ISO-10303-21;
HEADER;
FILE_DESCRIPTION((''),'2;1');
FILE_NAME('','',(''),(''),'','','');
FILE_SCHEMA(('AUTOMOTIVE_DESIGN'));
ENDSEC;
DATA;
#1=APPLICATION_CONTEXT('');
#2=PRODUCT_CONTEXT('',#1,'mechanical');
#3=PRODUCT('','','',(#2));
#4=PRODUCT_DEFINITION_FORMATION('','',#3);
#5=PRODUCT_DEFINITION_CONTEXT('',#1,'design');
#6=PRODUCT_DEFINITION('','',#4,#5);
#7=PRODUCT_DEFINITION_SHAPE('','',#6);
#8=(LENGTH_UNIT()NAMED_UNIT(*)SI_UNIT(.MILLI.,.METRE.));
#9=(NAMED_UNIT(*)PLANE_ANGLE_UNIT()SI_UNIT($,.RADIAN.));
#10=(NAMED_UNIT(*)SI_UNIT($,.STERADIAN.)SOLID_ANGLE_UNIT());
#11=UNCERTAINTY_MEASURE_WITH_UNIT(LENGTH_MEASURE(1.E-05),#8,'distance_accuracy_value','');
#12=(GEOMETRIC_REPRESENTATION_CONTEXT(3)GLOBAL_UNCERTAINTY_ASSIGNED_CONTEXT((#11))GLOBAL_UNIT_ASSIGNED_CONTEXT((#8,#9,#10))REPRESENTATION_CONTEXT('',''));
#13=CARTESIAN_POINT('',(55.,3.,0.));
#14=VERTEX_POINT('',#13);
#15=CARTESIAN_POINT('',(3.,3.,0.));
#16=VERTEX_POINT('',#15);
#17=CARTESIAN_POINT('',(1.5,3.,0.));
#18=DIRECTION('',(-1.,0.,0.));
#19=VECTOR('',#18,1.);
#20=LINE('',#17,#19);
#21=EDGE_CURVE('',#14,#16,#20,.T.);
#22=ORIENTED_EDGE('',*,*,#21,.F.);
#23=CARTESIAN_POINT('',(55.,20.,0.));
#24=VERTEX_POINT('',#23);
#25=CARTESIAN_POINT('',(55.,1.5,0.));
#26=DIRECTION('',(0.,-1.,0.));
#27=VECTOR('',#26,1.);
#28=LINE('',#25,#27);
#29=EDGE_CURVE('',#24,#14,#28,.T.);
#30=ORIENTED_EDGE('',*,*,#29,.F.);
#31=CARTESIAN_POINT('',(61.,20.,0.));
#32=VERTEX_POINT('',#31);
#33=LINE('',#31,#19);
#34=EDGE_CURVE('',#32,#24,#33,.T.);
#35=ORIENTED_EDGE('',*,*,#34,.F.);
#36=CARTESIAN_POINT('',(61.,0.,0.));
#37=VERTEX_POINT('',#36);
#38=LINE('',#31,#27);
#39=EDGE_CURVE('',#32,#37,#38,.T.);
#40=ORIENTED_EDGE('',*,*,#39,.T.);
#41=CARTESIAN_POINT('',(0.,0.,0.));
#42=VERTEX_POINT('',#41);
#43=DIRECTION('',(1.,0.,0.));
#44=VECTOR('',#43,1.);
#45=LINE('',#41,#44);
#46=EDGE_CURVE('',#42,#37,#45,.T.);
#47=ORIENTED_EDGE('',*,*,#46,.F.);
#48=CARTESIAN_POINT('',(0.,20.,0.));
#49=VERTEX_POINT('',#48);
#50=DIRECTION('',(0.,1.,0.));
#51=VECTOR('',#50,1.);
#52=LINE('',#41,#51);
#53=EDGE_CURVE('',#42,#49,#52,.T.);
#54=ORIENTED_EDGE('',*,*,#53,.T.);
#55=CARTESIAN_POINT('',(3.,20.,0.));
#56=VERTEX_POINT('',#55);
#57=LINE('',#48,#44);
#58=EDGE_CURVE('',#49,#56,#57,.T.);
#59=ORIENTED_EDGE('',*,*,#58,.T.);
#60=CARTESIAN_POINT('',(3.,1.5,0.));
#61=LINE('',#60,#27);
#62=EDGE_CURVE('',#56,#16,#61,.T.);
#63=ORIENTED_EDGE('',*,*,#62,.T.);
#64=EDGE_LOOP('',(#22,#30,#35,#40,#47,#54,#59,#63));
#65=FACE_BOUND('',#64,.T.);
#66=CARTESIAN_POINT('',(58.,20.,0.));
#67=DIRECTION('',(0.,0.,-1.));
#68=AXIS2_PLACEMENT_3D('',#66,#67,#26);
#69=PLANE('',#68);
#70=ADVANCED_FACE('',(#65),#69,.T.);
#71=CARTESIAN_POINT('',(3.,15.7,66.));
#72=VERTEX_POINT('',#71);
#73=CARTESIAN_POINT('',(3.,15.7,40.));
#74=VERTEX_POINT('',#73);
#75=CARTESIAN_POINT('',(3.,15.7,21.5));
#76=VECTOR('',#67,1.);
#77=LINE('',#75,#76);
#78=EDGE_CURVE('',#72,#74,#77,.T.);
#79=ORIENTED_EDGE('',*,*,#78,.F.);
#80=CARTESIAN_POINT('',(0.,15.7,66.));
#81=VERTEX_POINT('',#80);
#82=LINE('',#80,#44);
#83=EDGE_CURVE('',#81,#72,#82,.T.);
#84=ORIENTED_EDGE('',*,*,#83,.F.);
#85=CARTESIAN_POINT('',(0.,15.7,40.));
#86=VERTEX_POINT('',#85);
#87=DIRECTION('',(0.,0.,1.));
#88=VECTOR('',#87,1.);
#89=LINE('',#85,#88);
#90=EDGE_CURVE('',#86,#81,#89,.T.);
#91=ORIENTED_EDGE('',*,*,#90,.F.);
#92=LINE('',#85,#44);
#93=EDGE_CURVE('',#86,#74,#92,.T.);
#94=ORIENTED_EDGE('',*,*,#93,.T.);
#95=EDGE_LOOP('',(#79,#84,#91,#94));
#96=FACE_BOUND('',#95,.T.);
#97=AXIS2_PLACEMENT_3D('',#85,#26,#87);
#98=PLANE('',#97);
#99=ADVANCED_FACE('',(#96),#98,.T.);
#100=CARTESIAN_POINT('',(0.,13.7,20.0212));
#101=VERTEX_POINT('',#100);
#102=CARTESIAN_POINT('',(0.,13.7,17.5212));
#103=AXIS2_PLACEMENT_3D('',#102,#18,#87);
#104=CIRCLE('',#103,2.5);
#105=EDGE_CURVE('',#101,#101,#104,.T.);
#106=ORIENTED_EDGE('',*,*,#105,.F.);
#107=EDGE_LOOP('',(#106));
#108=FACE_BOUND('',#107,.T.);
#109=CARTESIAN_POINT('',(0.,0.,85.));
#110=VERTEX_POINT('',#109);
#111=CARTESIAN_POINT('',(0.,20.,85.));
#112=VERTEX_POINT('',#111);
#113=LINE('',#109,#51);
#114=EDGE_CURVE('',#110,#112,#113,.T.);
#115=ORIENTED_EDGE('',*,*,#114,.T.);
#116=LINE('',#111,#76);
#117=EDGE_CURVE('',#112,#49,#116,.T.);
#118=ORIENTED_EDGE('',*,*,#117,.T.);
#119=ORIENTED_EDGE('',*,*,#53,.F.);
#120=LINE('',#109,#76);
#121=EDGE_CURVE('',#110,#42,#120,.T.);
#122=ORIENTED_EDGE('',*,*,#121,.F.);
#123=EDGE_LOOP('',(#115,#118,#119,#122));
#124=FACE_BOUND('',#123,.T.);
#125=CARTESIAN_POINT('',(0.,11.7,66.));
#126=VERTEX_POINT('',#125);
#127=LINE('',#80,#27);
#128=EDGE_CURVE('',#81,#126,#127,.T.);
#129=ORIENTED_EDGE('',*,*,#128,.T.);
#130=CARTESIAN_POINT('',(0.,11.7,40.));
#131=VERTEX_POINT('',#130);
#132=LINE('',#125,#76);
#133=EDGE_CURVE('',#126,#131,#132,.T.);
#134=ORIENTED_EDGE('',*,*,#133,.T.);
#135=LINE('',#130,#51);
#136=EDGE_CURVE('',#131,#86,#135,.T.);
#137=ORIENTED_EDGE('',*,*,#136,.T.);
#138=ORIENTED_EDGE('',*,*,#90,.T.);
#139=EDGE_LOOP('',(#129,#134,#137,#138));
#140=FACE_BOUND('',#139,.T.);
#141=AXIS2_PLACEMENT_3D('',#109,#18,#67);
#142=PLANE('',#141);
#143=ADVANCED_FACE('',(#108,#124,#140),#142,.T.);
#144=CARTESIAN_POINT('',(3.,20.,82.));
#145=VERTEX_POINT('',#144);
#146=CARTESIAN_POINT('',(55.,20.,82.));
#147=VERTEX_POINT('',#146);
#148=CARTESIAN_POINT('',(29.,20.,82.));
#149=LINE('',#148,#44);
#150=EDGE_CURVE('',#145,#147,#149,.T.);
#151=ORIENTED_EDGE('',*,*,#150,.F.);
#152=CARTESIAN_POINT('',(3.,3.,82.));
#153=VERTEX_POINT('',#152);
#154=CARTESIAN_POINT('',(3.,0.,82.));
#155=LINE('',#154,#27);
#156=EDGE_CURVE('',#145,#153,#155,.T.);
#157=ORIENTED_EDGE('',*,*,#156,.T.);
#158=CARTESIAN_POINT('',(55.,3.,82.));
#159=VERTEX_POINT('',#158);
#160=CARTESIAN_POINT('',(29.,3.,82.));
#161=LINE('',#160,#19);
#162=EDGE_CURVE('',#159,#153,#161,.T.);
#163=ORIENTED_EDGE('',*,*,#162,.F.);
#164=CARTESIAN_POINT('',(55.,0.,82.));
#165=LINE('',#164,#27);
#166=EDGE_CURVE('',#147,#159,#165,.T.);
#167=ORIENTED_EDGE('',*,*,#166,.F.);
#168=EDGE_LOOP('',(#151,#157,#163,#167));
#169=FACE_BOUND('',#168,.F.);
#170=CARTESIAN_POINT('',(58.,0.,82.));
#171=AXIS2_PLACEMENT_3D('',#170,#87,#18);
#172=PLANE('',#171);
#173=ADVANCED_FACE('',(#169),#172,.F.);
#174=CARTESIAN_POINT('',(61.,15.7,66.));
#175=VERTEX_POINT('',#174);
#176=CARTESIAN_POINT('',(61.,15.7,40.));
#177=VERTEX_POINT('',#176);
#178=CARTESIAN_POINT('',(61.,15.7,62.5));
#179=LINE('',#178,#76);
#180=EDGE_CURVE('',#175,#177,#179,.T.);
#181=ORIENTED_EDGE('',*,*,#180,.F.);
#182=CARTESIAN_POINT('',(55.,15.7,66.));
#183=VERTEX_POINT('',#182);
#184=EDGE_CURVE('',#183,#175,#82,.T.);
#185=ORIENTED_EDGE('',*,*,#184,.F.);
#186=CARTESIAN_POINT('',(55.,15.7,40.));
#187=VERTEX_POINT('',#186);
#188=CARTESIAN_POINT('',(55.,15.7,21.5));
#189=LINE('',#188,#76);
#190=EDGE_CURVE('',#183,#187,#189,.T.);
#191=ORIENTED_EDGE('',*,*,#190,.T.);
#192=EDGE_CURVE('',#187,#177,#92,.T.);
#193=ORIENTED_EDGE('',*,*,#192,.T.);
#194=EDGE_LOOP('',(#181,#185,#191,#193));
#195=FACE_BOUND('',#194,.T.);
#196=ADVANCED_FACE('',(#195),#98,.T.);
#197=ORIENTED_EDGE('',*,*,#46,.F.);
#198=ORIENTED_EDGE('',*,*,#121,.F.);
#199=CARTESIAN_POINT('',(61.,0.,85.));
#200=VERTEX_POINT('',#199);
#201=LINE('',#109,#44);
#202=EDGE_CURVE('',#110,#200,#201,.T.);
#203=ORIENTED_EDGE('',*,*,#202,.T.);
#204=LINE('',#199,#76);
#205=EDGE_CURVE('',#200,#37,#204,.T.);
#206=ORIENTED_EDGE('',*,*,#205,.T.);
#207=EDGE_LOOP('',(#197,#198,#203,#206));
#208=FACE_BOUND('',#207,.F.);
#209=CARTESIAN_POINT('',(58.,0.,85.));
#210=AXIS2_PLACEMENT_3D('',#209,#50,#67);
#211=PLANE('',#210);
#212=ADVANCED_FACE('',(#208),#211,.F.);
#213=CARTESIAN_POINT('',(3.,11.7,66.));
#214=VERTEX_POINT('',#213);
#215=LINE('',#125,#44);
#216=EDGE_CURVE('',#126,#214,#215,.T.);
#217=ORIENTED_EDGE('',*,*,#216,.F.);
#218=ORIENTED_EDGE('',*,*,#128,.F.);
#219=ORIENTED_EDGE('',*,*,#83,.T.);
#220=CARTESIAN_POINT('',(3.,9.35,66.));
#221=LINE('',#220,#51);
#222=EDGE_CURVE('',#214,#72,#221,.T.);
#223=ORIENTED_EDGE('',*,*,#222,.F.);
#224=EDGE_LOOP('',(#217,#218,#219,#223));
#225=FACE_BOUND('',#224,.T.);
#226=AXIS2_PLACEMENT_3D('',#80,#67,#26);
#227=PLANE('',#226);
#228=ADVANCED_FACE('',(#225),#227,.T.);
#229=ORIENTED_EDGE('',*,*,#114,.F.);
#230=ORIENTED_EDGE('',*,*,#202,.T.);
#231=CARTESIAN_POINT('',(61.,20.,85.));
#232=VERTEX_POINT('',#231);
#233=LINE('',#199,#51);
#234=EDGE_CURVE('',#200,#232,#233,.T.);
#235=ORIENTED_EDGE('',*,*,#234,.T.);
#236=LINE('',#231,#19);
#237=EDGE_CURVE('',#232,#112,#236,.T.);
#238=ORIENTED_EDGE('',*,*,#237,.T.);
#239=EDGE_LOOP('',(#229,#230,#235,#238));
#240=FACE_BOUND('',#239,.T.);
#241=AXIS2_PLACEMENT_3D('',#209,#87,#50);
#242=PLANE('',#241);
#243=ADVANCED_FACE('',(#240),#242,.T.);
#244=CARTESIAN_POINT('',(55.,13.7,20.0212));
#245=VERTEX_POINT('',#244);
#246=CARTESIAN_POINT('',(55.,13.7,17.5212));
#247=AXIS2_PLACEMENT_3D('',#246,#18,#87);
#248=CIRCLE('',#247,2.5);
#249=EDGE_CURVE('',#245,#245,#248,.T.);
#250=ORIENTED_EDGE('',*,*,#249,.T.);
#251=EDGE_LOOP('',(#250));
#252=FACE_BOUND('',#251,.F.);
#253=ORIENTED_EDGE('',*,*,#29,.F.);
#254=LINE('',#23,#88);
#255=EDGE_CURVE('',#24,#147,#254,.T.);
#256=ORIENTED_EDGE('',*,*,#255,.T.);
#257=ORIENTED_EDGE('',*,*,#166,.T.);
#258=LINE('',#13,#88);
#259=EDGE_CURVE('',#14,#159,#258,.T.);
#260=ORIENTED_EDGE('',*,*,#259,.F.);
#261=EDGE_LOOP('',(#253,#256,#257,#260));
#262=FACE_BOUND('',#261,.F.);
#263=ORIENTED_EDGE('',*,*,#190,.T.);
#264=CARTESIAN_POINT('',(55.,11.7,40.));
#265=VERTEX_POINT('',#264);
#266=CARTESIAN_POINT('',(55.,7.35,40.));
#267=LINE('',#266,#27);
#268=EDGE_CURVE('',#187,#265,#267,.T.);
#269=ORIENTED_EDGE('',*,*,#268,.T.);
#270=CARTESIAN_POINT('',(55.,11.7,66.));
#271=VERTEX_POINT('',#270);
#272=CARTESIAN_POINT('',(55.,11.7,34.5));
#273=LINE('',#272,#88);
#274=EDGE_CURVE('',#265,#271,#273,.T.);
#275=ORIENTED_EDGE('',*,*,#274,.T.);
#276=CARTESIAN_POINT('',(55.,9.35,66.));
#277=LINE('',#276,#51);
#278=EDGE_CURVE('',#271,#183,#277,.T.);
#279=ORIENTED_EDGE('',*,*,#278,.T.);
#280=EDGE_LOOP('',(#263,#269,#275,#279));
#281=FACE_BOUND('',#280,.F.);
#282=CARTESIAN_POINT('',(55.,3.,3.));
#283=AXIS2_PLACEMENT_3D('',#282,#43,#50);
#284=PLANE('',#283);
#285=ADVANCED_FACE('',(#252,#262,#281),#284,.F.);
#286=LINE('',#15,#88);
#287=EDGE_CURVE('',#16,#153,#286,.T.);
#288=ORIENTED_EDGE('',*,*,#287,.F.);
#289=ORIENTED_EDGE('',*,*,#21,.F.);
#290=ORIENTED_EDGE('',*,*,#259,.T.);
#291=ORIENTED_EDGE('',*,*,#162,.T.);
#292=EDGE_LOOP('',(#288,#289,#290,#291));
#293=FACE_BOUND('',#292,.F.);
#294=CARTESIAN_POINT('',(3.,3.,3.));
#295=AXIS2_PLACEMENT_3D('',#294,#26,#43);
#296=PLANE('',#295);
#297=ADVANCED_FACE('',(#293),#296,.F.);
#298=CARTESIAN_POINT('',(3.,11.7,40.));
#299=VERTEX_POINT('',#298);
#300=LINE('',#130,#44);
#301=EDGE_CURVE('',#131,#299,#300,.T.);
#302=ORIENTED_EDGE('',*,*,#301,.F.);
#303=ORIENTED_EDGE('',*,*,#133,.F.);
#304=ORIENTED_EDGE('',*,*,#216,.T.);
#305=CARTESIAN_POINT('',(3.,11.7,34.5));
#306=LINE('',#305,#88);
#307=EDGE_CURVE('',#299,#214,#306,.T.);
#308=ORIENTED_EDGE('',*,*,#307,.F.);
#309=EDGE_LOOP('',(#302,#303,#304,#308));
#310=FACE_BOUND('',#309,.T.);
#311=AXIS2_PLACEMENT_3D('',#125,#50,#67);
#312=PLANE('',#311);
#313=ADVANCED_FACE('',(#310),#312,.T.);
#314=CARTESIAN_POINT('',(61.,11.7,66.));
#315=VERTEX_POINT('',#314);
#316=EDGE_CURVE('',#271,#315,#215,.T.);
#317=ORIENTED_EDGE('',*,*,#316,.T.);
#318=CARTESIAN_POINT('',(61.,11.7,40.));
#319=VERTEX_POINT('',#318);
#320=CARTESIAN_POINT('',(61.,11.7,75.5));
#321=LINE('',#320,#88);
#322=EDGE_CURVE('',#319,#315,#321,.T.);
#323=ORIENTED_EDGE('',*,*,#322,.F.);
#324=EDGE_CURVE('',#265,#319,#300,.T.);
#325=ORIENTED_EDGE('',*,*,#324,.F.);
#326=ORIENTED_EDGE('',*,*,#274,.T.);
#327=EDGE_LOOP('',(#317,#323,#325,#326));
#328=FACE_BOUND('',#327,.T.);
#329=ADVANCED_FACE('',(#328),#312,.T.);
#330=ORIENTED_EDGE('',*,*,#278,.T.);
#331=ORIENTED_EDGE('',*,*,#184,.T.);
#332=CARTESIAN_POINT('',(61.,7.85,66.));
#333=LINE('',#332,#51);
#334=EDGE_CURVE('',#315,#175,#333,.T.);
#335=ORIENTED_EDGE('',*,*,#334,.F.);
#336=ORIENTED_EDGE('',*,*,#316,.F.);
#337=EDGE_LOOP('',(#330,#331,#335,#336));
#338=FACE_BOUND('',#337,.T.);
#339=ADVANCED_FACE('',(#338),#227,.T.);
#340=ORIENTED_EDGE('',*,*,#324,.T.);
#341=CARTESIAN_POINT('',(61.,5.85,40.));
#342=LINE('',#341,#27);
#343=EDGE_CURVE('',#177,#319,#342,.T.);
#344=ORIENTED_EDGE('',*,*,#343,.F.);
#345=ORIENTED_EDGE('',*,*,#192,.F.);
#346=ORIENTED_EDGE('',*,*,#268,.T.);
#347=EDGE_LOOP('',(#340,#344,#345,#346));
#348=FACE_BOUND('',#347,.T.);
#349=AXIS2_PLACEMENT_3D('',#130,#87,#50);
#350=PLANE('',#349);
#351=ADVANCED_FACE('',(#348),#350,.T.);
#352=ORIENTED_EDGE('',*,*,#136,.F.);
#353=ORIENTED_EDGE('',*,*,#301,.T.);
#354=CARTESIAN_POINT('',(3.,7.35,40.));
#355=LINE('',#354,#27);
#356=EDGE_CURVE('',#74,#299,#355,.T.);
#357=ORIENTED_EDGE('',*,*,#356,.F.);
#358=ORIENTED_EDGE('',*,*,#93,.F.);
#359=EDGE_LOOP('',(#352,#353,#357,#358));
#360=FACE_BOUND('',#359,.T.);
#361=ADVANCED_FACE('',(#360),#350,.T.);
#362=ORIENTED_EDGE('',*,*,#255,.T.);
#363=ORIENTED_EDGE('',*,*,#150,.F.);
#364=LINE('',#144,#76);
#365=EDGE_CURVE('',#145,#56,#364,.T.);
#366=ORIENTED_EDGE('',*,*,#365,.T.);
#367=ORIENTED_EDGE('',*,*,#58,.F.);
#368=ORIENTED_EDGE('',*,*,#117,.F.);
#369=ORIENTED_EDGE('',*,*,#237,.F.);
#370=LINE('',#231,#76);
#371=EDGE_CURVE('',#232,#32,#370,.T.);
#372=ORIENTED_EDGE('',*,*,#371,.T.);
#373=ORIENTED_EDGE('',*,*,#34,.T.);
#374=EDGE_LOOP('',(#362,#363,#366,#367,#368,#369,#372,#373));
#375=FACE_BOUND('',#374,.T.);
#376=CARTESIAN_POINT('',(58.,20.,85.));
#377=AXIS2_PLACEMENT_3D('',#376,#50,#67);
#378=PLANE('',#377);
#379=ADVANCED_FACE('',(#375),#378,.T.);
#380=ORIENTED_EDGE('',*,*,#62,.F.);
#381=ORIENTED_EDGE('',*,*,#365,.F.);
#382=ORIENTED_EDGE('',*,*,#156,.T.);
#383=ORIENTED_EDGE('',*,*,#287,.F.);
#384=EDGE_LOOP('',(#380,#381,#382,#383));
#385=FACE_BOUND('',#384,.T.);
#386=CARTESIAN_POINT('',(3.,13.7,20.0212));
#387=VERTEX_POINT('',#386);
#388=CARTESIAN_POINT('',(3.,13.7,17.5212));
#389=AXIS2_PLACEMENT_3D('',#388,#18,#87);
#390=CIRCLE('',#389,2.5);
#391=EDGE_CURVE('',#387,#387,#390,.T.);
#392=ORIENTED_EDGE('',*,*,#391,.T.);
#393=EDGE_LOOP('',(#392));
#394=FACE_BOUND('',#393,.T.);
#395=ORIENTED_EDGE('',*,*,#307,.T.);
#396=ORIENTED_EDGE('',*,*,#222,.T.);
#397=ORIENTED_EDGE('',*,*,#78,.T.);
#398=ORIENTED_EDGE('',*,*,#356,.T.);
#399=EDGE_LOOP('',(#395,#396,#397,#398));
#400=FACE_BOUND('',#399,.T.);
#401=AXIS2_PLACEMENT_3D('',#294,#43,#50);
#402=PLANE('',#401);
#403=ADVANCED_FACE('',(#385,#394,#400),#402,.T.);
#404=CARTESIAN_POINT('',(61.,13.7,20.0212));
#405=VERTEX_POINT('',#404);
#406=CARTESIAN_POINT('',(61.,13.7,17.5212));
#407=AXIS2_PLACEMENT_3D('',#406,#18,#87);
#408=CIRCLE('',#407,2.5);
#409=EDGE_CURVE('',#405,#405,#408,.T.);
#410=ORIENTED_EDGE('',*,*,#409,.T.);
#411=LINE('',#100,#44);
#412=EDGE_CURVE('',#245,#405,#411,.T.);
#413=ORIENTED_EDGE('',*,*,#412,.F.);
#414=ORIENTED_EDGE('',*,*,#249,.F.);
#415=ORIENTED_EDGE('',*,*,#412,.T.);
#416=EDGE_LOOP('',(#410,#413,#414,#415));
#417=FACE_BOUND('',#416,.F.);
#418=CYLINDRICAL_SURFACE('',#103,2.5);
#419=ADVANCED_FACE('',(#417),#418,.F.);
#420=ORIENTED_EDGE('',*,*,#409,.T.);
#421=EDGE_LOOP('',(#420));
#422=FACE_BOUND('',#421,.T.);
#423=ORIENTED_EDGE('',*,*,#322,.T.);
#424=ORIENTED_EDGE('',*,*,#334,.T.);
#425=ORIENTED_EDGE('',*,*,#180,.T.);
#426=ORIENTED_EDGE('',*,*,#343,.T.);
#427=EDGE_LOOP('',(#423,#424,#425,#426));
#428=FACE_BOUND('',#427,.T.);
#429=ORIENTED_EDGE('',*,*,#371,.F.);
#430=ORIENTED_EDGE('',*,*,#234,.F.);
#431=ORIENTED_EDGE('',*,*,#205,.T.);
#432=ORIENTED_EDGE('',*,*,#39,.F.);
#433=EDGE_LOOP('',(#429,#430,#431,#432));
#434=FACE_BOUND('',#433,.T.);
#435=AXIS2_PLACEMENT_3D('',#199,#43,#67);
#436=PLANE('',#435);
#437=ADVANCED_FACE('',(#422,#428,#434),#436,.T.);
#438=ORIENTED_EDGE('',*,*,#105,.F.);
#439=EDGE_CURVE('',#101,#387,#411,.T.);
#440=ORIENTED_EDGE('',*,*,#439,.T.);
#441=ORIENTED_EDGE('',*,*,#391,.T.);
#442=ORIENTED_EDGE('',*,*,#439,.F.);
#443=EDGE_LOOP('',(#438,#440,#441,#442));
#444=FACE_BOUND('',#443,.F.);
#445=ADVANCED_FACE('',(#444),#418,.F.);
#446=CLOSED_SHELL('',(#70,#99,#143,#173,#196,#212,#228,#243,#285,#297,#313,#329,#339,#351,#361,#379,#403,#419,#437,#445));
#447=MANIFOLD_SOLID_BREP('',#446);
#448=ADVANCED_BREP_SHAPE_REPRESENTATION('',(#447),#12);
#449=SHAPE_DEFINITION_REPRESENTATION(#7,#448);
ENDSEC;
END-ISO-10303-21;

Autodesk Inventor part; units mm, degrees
ref_plane "YZ Plane" through (0, 0, 0) normal (1, 0, 0) x (0, 1, 0)
ref_plane "XZ Plane" through (0, 0, 0) normal (0, 1, 0) x (-1, 0, 0)
ref_plane "XY Plane" through (0, 0, 0) normal (0, 0, 1) x (1, 0, 0)
sketch "Sketch2" plane through (0, 0, 0) normal (0, 1, 0) x (-1, 0, 0)
  line L0 (0, 0) -> (-58, 0)
  line L1 (-58, 0) -> (-58, 85)
  line L2 (-58, 85) -> (0, 85)
  line L3 (0, 85) -> (0, 0)
  dimension "d0" = 58
  dimension "d1" = 85
extrude "Extrusion1" add sketch "Sketch2" along normal blind 20
shell "Shell1" thickness 3 removed faces 1 at (19.3333, 20, 28.3333)
sketch "Sketch4" plane through (58, 0, 0) normal (0, 0, -1) x (-1, 0, 0)
  point P0 (58, 0)
sketch "Sketch5" plane through (3, 3, 3) normal (0, 0, 1) x (1, 0, 0)
  line L0 (0, 0) -> (0, 17) projected
  line L1 (0, 17) -> (52, 17) projected
  line L2 (0, 0) -> (52, 0)
  line L3 (52, 0) -> (52, 17)
  line L4 (52, 17) -> (0, 17)
  line L5 (0, 17) -> (0, 0)
  point P0 (-3, -3)
extrude "Extrusion3" cut sketch "Sketch5" against normal blind 10
sketch "Sketch6" plane through (0, 0, 0) normal (-1, 0, 0) x (0, 0, 1)
  line L0 (40, 15.7) -> (66, 15.7)
  line L1 (66, 15.7) -> (66, 11.7)
  line L2 (66, 11.7) -> (40, 11.7)
  line L3 (40, 11.7) -> (40, 15.7)
  line L4 (0, 0) -> (0, 20) projected
  line L5 (0, 0) -> (85, 0) projected
  line L6 (85, 0) -> (85, 20) projected
  dimension "d19" = 26
  dimension "d20" = 4
  dimension "d22" = 11.7
  dimension "d32" = 45
sketch "Sketch7" plane through (58, 0, 85) normal (1, 0, 0) x (0, 0, -1)
  line L0 (0, 0) -> (85, 0) projected
  line L1 (0, 20) -> (85, 20)
  line L2 (85, 20) -> (85, 0)
  line L3 (85, 0) -> (0, 0)
  line L4 (0, 0) -> (0, 20)
extrude "Extrusion5" add sketch "Sketch7" along normal blind 3
extrude "Extrusion6" cut sketch "Sketch6" against normal through all
sketch "Sketch9" plane through (0, 0, 0) normal (-1, 0, 0) x (0, 0, 1)
  circle A0 centre (17.5212, 13.7) radius 2.5
  point P0 (0, 0)
  dimension "d33" = 5
extrude "Extrusion8" cut sketch "Sketch9" against normal through all
properties part number "breadboard box v01"
